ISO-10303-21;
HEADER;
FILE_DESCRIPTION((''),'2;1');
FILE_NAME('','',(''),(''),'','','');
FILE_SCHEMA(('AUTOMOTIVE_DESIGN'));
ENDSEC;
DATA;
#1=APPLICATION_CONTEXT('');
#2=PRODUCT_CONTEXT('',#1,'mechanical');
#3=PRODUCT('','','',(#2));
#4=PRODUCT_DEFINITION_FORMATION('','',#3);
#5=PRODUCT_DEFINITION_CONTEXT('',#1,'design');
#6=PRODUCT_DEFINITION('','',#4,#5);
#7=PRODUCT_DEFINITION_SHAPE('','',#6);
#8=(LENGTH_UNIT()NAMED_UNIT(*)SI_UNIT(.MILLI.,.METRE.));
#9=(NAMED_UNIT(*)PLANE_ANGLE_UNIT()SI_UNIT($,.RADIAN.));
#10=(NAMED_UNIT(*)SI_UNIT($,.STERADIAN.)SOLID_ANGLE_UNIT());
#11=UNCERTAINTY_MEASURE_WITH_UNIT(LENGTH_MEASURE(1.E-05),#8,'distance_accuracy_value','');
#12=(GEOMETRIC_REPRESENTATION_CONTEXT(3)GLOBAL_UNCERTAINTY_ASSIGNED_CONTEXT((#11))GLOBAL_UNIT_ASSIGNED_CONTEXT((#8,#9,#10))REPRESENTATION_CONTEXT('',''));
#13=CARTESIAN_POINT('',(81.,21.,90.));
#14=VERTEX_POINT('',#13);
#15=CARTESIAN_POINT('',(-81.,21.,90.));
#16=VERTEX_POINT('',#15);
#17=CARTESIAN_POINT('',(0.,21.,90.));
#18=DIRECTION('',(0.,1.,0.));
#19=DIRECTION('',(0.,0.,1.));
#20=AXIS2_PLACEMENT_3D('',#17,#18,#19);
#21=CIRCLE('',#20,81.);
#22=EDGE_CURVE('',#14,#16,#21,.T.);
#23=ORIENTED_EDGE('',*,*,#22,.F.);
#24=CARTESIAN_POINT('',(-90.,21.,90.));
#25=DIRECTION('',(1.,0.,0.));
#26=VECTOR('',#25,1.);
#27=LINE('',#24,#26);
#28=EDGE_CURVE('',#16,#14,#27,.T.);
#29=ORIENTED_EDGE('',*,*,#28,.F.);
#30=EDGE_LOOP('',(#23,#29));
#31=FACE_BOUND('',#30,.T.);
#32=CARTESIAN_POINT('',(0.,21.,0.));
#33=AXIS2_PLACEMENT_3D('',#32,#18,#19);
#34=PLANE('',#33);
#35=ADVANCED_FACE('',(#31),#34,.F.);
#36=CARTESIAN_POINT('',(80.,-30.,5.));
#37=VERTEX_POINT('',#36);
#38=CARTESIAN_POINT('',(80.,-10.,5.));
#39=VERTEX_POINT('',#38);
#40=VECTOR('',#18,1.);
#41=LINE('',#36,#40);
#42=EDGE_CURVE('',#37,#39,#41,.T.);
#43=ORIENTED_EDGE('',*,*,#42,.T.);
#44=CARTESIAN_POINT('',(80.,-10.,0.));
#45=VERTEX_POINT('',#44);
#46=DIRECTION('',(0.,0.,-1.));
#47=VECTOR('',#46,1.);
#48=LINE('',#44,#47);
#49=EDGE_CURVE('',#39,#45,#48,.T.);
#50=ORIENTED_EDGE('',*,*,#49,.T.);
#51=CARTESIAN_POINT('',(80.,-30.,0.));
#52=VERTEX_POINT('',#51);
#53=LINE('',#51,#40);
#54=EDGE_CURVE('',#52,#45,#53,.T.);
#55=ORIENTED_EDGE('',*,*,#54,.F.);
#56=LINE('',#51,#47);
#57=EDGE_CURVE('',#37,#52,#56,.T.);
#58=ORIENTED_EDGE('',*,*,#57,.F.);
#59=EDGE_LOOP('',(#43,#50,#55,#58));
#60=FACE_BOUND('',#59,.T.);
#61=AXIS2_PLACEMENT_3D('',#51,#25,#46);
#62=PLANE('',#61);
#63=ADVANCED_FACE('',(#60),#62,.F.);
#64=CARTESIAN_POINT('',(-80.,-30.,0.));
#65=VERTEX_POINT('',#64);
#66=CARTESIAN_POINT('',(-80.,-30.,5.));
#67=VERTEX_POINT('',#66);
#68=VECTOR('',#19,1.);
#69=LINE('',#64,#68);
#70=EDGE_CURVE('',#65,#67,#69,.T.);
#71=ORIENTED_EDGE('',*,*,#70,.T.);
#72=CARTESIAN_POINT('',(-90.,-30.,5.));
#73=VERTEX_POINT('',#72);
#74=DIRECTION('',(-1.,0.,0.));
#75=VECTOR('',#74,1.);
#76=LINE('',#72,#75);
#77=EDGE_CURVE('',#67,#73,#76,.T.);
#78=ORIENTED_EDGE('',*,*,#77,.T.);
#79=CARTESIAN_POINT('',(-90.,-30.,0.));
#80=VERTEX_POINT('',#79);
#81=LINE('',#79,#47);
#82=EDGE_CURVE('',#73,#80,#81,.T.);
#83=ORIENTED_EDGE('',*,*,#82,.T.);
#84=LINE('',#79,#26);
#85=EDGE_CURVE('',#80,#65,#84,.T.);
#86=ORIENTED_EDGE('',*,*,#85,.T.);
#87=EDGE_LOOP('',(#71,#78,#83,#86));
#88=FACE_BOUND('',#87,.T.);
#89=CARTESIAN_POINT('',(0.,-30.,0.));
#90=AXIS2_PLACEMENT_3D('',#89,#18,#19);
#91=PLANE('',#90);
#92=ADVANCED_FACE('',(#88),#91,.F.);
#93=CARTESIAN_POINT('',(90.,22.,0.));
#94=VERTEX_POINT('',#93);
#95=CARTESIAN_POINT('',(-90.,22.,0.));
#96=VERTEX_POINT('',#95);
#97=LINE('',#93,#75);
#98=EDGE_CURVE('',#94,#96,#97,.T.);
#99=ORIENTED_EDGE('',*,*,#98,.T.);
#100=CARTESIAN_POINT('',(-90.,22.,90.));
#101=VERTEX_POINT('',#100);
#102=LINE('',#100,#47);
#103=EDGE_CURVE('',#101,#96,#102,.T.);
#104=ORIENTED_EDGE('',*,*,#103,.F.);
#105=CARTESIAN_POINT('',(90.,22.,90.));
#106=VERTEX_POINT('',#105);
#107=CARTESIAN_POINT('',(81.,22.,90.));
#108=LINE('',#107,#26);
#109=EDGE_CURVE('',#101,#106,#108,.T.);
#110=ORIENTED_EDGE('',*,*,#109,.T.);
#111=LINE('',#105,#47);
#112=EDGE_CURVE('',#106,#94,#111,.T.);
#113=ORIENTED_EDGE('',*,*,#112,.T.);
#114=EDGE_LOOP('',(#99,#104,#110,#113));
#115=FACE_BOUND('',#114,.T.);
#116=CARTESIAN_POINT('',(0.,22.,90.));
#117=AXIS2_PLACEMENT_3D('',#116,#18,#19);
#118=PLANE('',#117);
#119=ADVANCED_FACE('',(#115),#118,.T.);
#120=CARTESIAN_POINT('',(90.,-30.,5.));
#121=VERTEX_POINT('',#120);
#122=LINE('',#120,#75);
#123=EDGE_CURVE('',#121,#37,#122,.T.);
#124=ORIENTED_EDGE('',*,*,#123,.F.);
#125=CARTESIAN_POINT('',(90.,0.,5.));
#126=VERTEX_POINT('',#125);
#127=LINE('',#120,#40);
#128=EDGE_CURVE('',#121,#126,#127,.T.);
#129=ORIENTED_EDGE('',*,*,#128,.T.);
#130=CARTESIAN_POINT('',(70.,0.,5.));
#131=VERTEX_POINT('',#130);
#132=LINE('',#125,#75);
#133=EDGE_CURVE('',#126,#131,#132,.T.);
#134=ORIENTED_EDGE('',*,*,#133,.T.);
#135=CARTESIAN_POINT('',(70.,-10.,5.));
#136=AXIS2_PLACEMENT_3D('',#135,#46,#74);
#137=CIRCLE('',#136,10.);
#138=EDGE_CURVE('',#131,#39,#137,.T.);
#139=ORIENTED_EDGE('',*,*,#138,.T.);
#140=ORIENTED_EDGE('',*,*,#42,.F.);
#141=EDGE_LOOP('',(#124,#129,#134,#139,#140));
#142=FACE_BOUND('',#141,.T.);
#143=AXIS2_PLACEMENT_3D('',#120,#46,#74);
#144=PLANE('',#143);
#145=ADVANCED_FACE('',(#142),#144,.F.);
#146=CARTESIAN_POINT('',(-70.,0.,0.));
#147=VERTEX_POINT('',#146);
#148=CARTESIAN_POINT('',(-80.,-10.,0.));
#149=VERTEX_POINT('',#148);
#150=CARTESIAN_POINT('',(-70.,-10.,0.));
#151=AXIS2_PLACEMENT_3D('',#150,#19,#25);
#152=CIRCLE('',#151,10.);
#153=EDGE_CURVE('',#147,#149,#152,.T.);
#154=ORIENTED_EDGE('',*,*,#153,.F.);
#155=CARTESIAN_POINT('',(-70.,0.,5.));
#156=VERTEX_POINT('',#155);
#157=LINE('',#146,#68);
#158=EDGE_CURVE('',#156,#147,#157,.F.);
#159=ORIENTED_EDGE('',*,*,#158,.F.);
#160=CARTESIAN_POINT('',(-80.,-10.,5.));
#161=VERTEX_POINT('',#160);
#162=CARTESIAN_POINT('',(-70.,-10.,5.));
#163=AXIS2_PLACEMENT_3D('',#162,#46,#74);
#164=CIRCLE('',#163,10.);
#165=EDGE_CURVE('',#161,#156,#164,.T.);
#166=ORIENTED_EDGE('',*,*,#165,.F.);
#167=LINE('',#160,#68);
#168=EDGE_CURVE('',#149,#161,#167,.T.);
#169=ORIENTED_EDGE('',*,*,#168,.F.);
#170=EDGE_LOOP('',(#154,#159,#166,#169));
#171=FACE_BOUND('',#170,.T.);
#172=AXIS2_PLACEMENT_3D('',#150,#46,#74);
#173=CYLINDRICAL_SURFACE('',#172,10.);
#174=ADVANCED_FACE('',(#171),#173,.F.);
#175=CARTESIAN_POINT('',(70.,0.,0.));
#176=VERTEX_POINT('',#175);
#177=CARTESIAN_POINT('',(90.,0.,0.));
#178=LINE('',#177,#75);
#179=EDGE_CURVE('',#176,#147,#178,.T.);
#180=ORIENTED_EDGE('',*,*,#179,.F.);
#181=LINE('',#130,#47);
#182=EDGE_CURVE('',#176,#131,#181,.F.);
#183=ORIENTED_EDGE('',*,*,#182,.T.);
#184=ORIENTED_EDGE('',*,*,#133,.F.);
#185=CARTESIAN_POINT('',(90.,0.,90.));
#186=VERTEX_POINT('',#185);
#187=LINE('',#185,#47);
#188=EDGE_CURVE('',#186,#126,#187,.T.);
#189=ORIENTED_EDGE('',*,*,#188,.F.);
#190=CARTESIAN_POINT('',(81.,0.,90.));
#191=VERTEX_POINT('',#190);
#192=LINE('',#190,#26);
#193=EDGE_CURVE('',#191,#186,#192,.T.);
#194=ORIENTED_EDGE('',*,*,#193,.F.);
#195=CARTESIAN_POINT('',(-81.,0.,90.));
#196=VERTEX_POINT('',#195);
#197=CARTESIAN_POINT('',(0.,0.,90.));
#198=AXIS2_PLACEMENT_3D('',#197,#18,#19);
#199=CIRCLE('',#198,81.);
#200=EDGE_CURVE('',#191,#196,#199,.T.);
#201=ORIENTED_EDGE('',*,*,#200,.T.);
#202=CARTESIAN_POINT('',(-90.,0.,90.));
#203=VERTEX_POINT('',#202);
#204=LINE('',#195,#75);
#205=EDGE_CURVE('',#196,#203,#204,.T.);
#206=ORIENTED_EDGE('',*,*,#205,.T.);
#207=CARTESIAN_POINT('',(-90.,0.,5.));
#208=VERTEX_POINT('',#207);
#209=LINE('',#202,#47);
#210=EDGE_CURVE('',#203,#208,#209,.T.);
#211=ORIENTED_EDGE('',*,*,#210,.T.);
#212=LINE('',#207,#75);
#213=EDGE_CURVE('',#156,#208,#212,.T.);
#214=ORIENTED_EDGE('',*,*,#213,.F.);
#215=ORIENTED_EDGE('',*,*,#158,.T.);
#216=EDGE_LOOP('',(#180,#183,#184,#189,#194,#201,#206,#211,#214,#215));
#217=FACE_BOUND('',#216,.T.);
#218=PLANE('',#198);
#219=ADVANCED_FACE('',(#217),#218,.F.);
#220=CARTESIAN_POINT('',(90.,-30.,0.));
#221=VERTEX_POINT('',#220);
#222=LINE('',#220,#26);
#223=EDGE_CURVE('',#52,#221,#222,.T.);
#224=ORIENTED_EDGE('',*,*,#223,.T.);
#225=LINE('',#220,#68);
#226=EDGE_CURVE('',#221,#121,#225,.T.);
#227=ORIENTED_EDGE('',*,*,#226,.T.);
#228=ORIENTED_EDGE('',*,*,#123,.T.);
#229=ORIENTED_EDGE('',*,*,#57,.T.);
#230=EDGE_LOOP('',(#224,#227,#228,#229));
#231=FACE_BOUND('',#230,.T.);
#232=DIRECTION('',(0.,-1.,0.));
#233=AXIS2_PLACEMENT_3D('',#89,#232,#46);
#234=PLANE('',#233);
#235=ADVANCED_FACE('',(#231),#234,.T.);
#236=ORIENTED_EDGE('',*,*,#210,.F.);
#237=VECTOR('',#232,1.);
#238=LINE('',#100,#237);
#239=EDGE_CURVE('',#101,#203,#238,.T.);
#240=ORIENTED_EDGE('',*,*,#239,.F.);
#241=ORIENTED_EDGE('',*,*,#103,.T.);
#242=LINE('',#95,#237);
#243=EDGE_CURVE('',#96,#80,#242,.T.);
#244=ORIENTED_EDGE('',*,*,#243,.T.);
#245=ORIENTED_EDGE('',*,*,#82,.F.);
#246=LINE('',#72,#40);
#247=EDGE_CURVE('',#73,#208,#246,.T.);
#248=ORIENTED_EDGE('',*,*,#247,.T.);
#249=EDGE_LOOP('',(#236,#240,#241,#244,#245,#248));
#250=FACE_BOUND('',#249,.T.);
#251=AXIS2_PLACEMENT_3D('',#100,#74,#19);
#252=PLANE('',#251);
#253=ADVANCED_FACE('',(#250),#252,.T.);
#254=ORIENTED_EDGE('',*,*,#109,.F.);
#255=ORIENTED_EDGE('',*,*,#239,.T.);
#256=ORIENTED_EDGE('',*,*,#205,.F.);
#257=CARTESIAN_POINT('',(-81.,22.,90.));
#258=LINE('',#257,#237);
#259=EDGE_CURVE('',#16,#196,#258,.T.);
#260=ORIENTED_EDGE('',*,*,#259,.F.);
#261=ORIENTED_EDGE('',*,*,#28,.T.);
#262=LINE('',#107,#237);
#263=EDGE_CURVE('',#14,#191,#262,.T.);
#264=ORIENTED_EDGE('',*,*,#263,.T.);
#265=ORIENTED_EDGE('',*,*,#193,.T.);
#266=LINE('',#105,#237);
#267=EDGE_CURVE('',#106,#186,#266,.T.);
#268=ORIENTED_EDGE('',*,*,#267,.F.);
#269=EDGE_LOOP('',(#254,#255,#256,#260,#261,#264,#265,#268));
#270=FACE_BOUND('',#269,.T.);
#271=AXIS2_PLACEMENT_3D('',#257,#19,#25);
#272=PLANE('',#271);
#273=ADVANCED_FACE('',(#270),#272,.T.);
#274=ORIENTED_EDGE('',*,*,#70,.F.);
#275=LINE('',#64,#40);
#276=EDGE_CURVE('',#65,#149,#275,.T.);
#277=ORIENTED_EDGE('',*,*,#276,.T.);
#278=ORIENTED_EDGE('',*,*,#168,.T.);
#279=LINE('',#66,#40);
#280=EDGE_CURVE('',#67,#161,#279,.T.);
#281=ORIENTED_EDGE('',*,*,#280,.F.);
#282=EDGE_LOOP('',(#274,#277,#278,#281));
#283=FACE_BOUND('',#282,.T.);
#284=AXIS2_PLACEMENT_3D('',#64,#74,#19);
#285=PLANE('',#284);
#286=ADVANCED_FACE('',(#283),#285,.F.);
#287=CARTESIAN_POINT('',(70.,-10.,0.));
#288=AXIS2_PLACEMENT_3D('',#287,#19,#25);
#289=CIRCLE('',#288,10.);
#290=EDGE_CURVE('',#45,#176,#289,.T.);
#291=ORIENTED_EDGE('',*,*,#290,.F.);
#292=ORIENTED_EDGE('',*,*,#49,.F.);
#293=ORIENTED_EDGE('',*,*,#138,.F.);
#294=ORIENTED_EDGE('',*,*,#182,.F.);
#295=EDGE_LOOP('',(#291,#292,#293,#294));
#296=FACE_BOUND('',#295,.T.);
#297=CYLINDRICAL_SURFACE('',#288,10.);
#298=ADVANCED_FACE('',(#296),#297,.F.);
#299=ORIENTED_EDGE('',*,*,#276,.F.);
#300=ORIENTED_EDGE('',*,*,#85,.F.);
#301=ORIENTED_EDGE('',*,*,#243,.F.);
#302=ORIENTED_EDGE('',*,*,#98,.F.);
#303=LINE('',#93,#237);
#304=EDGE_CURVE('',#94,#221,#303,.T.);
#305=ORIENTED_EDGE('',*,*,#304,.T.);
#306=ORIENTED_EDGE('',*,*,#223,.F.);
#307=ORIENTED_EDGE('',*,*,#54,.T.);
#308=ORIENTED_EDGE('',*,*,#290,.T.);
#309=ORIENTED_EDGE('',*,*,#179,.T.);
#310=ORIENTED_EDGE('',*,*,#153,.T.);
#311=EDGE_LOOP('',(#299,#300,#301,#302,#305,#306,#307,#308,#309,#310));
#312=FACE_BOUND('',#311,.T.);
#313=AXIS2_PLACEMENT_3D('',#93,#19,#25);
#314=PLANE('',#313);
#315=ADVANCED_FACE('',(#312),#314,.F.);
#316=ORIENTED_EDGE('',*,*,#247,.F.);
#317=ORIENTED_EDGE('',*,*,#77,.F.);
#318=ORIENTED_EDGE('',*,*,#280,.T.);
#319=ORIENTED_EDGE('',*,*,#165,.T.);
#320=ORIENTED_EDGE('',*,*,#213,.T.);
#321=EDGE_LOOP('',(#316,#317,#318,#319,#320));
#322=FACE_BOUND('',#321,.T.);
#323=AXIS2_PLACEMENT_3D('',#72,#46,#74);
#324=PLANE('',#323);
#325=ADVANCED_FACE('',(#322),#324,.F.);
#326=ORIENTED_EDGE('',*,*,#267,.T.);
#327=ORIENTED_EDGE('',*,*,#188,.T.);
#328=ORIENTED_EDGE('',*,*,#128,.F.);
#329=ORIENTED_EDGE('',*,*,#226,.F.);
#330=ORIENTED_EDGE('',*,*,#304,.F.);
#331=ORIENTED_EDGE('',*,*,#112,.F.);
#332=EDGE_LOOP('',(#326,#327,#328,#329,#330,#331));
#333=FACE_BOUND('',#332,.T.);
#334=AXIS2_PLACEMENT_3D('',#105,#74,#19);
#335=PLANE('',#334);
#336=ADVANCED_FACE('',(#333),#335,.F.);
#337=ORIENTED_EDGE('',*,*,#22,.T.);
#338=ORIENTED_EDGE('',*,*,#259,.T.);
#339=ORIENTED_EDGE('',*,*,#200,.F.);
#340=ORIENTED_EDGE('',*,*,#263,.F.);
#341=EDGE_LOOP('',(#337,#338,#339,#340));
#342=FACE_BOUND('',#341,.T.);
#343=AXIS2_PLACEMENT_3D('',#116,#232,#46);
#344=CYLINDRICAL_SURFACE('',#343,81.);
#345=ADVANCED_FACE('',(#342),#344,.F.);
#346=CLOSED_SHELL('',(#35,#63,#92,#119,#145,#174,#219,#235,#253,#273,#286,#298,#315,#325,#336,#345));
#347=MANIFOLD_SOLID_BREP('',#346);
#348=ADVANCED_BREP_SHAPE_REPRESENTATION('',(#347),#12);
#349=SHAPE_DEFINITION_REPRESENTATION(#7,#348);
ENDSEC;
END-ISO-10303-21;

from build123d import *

# Parameters (mm, degrees)
EXTRUDE_1_DEPTH = 22
SKETCH_2_W      = 180
SKETCH_2_H      = 90
EXTRUDE_2_DEPTH = 1
SKETCH_3_W      = 10
SKETCH_3_H      = 5
EXTRUDE_3_DEPTH = 30
FILLET_1_R      = 10


with BuildPart() as part:
    # Эскиз1 → Бобышка-Вытянуть1 (new body)
    with BuildSketch(Plane(origin=(0, 0, 0), x_dir=(-1, 0, 0), z_dir=(0, 1, 0))):
        with BuildLine():
            Line((-90, 0), (90, 0))
            Line((90, 0), (90, 90))
            Line((90, 90), (81, 90))
            ThreePointArc((81, 90), (0, 9), (-81, 90))
            Line((-81, 90), (-90, 90))
            Line((-90, 90), (-90, 0))
        make_face()
    extrude(amount=EXTRUDE_1_DEPTH)

    # Эскиз2 → Бобышка-Вытянуть2 (add)
    with BuildSketch(Plane(origin=(0, 22, 0), x_dir=(1, 0, 0), z_dir=(0, 1, 0))):
        with Locations((0, -45)):
            Rectangle(SKETCH_2_W, SKETCH_2_H)
    extrude(amount=-EXTRUDE_2_DEPTH)

    # Эскиз3 → Бобышка-Вытянуть3 (add)
    with BuildSketch(Plane.XZ):
        with Locations((-85, 2.5)):
            Rectangle(SKETCH_3_W, SKETCH_3_H)
        with Locations((85, 2.5)):
            Rectangle(SKETCH_3_W, SKETCH_3_H)
    extrude(amount=EXTRUDE_3_DEPTH)

    # Скругление1
    fillet_1_edges = [part.edges().sort_by_distance(p)[0] for p in [
        (-80, 0, 2.5),
        (80, 0, 2.5),
    ]]
    fillet(fillet_1_edges, radius=FILLET_1_R)


solid = part.part
